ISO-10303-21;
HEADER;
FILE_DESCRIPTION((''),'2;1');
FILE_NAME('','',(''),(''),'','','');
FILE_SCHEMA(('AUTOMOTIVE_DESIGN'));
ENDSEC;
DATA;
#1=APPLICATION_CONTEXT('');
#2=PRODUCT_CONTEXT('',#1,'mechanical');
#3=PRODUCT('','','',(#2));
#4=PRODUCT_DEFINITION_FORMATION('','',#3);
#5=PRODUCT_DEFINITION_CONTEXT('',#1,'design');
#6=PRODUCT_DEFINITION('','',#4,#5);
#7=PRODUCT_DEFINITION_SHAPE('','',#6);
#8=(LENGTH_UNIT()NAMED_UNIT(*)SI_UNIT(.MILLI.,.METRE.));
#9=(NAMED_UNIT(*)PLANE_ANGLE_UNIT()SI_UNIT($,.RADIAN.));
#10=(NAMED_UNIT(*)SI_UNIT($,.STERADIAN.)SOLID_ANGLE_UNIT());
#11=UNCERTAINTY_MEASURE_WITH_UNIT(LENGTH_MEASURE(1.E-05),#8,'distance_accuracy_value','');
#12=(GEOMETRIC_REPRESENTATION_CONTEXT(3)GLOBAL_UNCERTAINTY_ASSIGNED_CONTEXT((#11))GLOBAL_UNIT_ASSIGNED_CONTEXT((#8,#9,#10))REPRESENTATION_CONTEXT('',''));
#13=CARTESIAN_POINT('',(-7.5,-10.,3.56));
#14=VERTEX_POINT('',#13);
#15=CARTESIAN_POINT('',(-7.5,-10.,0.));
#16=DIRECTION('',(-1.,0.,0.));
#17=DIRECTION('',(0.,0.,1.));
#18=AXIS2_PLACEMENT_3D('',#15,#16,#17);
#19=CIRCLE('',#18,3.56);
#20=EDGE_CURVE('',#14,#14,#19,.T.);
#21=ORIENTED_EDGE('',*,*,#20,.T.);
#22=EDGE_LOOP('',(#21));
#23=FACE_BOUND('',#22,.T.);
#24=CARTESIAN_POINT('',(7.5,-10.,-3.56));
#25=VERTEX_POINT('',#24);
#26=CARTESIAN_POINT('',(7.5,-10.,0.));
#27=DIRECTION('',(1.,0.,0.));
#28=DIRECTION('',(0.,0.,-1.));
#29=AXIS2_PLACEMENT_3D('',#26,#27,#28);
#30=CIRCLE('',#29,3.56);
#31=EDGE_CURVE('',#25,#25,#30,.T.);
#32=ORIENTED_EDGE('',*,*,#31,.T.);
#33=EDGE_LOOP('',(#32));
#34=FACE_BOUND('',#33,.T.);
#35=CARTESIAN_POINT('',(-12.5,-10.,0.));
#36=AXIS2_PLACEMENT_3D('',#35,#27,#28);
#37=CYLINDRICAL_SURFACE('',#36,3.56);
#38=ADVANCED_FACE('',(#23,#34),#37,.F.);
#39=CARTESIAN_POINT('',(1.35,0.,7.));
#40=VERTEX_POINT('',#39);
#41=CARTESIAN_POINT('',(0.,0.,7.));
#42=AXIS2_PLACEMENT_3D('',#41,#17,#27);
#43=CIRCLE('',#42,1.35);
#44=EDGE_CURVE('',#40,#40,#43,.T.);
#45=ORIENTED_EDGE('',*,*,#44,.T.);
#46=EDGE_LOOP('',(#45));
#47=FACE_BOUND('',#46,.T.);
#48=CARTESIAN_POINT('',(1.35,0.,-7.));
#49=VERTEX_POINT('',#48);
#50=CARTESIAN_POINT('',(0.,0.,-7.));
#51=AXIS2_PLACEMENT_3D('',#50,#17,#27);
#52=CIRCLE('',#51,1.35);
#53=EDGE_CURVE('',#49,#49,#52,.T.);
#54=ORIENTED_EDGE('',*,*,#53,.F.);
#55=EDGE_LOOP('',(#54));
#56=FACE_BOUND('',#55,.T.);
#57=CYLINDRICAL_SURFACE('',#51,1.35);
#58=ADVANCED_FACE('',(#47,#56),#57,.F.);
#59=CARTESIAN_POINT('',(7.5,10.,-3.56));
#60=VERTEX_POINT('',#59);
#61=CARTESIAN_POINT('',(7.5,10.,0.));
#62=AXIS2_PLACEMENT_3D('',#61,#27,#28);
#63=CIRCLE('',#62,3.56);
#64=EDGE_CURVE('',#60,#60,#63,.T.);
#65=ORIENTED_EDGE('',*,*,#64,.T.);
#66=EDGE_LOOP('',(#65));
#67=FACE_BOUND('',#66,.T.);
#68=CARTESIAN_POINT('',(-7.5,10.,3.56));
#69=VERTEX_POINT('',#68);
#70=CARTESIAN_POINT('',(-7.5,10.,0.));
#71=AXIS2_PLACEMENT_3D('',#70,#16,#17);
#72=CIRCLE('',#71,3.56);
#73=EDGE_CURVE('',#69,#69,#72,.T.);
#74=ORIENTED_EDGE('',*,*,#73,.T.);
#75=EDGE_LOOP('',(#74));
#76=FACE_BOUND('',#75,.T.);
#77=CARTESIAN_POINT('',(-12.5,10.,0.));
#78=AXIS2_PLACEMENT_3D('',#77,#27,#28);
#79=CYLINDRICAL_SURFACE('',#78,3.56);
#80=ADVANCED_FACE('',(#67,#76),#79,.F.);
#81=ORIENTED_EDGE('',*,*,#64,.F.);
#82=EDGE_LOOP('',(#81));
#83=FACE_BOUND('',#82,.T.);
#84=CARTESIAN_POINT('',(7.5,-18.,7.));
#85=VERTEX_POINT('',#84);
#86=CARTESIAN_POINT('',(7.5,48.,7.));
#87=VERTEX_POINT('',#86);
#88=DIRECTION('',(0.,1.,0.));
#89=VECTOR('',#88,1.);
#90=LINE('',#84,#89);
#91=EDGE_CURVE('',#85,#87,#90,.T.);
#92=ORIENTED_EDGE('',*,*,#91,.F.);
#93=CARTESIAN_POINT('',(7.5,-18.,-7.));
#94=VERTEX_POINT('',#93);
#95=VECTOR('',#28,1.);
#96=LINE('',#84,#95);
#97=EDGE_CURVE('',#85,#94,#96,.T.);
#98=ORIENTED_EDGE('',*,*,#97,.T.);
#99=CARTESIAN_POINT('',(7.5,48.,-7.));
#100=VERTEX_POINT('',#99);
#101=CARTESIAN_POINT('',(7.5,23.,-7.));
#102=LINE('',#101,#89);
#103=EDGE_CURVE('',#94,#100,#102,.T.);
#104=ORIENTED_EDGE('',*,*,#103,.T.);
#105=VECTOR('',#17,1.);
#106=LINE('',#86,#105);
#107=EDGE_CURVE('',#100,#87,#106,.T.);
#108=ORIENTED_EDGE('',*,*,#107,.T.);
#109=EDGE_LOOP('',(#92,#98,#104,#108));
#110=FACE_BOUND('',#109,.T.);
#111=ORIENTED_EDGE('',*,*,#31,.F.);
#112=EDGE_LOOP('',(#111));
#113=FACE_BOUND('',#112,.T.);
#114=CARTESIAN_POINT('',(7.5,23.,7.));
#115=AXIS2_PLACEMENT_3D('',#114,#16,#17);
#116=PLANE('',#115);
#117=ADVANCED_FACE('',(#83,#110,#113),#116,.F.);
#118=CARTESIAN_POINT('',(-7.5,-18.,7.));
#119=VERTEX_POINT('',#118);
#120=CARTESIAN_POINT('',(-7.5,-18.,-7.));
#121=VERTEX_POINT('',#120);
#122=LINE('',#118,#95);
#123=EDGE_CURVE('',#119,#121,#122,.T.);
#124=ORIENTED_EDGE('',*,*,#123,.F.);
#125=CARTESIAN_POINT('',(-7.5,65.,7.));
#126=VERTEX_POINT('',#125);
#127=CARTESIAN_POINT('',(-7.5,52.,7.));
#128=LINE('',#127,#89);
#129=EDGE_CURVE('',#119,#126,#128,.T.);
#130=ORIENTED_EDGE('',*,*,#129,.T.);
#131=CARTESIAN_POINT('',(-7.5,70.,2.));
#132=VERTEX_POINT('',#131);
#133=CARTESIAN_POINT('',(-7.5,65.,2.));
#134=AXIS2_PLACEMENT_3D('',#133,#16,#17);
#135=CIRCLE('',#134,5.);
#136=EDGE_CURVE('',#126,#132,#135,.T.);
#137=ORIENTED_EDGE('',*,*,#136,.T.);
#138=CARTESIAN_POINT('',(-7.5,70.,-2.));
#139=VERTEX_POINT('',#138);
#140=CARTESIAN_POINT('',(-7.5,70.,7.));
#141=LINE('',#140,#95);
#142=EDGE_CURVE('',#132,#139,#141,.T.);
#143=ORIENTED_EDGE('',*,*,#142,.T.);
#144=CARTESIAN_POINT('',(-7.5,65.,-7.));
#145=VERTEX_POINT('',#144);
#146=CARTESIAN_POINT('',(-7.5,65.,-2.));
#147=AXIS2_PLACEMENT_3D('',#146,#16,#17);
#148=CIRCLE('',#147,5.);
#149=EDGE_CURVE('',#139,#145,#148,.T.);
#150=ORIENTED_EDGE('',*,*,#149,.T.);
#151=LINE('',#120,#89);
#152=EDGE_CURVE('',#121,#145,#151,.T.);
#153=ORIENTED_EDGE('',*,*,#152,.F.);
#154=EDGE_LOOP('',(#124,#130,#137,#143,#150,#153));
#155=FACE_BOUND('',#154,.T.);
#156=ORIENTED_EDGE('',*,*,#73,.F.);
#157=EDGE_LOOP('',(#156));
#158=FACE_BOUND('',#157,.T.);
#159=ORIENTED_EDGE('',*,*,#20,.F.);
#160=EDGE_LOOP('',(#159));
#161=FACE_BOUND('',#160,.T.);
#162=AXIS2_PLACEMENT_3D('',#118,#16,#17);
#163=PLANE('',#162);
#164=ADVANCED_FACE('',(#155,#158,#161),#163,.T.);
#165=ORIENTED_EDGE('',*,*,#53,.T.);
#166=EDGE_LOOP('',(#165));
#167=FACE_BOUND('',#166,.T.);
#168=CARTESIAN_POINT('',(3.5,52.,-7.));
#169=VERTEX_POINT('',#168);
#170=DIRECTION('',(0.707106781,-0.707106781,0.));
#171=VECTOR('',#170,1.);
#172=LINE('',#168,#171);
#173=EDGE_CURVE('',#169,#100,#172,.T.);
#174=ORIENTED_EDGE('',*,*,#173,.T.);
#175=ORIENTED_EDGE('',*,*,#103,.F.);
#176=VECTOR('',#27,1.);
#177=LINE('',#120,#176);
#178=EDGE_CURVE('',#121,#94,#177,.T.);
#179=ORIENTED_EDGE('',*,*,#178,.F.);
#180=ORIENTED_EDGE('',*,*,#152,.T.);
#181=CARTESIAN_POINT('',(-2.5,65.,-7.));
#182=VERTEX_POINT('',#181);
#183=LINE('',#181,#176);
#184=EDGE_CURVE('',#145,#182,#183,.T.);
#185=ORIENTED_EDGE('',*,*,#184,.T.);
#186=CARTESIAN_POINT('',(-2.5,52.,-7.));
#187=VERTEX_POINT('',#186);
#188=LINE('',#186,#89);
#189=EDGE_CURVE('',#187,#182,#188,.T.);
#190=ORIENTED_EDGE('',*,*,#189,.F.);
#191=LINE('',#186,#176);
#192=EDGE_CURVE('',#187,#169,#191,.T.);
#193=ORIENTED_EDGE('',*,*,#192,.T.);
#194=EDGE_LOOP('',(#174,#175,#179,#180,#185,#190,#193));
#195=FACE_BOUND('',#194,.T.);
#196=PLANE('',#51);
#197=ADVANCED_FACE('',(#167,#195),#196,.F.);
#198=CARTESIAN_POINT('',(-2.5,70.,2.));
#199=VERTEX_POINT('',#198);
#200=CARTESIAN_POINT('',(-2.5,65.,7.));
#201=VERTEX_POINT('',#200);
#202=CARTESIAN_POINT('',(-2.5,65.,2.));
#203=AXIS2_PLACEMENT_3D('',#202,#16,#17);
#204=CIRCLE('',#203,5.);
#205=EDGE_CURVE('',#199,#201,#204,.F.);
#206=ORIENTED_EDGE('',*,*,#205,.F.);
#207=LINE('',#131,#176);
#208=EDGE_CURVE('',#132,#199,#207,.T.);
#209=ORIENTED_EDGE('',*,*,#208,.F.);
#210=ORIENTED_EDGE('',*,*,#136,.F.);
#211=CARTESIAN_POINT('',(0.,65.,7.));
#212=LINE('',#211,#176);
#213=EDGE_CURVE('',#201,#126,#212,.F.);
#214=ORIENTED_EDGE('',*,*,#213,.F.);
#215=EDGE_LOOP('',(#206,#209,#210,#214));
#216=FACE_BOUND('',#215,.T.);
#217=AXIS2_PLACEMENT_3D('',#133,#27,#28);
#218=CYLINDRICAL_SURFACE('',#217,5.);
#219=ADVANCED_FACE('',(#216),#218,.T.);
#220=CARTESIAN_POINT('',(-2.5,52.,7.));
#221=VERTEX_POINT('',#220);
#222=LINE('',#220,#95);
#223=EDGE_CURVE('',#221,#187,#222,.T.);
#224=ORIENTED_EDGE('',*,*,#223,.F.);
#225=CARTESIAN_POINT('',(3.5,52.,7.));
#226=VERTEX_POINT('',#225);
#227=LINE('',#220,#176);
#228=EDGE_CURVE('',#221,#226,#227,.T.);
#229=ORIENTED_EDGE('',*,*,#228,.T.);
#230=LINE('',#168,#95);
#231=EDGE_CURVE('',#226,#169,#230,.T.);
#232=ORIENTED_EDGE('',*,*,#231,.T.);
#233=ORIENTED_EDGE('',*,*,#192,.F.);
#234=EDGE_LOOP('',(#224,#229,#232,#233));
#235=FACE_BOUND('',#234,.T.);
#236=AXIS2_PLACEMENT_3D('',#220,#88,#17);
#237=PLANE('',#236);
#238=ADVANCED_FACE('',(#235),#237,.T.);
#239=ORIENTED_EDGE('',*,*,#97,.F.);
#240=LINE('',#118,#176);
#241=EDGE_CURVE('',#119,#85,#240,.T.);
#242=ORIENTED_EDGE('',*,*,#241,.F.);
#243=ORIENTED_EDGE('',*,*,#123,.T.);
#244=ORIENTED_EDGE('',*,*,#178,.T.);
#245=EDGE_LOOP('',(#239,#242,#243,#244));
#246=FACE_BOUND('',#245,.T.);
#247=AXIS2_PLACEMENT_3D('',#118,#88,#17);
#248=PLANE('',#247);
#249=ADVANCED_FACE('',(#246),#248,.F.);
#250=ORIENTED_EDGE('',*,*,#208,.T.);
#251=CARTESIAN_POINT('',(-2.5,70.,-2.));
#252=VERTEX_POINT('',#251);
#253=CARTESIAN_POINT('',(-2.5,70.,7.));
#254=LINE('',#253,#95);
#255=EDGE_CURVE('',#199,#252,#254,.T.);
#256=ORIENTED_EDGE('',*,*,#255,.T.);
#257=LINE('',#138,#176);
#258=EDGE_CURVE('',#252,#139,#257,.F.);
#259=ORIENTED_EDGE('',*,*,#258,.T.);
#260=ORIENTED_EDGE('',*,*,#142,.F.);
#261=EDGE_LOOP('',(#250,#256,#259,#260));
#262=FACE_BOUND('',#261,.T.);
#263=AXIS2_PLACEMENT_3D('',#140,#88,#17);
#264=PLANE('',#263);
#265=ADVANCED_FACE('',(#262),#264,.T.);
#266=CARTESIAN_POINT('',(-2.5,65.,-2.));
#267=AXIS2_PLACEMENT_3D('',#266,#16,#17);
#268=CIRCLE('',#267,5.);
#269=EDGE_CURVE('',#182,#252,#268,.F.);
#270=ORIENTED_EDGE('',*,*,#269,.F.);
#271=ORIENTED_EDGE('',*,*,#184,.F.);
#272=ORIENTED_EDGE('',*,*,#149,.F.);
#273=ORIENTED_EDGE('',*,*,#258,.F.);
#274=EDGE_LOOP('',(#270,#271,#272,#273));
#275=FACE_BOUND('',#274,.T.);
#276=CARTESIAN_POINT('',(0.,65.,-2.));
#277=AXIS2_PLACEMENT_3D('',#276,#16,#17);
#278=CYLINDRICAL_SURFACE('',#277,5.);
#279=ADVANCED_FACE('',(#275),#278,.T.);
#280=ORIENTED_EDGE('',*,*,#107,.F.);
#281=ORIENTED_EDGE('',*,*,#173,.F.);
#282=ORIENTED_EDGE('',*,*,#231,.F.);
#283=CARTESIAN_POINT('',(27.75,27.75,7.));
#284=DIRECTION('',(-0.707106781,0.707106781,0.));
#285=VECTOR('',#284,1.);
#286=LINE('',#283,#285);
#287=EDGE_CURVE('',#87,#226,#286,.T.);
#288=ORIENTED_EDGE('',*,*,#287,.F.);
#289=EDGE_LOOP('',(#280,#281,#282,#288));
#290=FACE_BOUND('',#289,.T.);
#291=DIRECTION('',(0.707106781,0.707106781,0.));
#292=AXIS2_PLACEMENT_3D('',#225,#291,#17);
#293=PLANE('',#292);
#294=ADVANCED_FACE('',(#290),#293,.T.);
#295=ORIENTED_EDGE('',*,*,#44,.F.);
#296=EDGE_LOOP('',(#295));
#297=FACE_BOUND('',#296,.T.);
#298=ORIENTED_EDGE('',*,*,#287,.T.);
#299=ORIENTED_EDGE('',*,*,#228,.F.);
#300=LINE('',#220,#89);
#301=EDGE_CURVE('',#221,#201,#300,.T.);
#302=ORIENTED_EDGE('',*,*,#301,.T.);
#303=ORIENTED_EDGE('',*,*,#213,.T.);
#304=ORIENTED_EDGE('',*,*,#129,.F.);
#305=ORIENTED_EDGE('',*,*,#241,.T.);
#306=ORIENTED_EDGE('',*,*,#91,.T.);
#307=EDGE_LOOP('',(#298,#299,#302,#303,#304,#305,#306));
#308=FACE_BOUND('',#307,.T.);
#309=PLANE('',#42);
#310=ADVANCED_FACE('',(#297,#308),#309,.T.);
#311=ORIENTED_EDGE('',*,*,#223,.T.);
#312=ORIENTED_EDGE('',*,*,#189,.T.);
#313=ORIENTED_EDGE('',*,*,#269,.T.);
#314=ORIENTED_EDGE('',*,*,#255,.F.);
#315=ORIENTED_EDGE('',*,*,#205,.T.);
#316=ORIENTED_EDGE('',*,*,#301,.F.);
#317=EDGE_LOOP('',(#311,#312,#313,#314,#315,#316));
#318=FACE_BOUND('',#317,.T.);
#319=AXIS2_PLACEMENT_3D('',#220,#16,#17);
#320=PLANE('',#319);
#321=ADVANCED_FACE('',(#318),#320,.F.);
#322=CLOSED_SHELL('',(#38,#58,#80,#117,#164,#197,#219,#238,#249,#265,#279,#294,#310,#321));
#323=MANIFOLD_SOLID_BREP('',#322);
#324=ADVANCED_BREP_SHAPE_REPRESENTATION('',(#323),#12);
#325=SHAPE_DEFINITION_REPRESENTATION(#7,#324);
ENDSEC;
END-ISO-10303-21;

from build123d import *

# Parameters (mm, degrees)
EXTRUDE_1_DEPTH     = 7
SKETCH_3_R          = 3.56
CUT_EXTRUDE_1_DEPTH = 20
SKETCH_4_R          = 1.35
CUT_EXTRUDE_2_DEPTH = 14
FILLET_1_R          = 5
CHAMFER_1_SIZE      = 4


with BuildPart() as part:
    # 草图1 → 凸台-拉伸1 (new, symmetric)
    with BuildSketch(Plane.XY):
        Polygon((-7.5, -18), (7.5, -18), (7.5, 23), (7.5, 52), (-2.5, 52), (-2.5, 70), (-7.5, 70), (-7.5, 52), (-7.5, 47), align=None)
    extrude(amount=EXTRUDE_1_DEPTH, both=True)

    # 草图3 → 切除-拉伸1 (cut)
    with BuildSketch(Plane(origin=(7.5, 0, 0), x_dir=(0, 0, -1), z_dir=(1, 0, 0))):
        with Locations((0, -10)):
            Circle(SKETCH_3_R)
        with Locations((0, 10)):
            Circle(SKETCH_3_R)
    extrude(amount=-CUT_EXTRUDE_1_DEPTH, mode=Mode.SUBTRACT)

    # 草图4 → 切除-拉伸2 (cut)
    with BuildSketch(Plane.XY.offset(7)):
        Circle(SKETCH_4_R)
    extrude(amount=-CUT_EXTRUDE_2_DEPTH, mode=Mode.SUBTRACT)

    # 圆角1
    fillet_1_edges = [part.edges().sort_by_distance(p)[0] for p in [
        (-5, 70, 7),
        (-5, 70, -7),
    ]]
    fillet(fillet_1_edges, radius=FILLET_1_R)

    # 倒角1
    chamfer_1_edges = [part.edges().sort_by_distance(p)[0] for p in [
        (7.5, 52, 0),
    ]]
    chamfer(chamfer_1_edges, length=CHAMFER_1_SIZE)


solid = part.part
